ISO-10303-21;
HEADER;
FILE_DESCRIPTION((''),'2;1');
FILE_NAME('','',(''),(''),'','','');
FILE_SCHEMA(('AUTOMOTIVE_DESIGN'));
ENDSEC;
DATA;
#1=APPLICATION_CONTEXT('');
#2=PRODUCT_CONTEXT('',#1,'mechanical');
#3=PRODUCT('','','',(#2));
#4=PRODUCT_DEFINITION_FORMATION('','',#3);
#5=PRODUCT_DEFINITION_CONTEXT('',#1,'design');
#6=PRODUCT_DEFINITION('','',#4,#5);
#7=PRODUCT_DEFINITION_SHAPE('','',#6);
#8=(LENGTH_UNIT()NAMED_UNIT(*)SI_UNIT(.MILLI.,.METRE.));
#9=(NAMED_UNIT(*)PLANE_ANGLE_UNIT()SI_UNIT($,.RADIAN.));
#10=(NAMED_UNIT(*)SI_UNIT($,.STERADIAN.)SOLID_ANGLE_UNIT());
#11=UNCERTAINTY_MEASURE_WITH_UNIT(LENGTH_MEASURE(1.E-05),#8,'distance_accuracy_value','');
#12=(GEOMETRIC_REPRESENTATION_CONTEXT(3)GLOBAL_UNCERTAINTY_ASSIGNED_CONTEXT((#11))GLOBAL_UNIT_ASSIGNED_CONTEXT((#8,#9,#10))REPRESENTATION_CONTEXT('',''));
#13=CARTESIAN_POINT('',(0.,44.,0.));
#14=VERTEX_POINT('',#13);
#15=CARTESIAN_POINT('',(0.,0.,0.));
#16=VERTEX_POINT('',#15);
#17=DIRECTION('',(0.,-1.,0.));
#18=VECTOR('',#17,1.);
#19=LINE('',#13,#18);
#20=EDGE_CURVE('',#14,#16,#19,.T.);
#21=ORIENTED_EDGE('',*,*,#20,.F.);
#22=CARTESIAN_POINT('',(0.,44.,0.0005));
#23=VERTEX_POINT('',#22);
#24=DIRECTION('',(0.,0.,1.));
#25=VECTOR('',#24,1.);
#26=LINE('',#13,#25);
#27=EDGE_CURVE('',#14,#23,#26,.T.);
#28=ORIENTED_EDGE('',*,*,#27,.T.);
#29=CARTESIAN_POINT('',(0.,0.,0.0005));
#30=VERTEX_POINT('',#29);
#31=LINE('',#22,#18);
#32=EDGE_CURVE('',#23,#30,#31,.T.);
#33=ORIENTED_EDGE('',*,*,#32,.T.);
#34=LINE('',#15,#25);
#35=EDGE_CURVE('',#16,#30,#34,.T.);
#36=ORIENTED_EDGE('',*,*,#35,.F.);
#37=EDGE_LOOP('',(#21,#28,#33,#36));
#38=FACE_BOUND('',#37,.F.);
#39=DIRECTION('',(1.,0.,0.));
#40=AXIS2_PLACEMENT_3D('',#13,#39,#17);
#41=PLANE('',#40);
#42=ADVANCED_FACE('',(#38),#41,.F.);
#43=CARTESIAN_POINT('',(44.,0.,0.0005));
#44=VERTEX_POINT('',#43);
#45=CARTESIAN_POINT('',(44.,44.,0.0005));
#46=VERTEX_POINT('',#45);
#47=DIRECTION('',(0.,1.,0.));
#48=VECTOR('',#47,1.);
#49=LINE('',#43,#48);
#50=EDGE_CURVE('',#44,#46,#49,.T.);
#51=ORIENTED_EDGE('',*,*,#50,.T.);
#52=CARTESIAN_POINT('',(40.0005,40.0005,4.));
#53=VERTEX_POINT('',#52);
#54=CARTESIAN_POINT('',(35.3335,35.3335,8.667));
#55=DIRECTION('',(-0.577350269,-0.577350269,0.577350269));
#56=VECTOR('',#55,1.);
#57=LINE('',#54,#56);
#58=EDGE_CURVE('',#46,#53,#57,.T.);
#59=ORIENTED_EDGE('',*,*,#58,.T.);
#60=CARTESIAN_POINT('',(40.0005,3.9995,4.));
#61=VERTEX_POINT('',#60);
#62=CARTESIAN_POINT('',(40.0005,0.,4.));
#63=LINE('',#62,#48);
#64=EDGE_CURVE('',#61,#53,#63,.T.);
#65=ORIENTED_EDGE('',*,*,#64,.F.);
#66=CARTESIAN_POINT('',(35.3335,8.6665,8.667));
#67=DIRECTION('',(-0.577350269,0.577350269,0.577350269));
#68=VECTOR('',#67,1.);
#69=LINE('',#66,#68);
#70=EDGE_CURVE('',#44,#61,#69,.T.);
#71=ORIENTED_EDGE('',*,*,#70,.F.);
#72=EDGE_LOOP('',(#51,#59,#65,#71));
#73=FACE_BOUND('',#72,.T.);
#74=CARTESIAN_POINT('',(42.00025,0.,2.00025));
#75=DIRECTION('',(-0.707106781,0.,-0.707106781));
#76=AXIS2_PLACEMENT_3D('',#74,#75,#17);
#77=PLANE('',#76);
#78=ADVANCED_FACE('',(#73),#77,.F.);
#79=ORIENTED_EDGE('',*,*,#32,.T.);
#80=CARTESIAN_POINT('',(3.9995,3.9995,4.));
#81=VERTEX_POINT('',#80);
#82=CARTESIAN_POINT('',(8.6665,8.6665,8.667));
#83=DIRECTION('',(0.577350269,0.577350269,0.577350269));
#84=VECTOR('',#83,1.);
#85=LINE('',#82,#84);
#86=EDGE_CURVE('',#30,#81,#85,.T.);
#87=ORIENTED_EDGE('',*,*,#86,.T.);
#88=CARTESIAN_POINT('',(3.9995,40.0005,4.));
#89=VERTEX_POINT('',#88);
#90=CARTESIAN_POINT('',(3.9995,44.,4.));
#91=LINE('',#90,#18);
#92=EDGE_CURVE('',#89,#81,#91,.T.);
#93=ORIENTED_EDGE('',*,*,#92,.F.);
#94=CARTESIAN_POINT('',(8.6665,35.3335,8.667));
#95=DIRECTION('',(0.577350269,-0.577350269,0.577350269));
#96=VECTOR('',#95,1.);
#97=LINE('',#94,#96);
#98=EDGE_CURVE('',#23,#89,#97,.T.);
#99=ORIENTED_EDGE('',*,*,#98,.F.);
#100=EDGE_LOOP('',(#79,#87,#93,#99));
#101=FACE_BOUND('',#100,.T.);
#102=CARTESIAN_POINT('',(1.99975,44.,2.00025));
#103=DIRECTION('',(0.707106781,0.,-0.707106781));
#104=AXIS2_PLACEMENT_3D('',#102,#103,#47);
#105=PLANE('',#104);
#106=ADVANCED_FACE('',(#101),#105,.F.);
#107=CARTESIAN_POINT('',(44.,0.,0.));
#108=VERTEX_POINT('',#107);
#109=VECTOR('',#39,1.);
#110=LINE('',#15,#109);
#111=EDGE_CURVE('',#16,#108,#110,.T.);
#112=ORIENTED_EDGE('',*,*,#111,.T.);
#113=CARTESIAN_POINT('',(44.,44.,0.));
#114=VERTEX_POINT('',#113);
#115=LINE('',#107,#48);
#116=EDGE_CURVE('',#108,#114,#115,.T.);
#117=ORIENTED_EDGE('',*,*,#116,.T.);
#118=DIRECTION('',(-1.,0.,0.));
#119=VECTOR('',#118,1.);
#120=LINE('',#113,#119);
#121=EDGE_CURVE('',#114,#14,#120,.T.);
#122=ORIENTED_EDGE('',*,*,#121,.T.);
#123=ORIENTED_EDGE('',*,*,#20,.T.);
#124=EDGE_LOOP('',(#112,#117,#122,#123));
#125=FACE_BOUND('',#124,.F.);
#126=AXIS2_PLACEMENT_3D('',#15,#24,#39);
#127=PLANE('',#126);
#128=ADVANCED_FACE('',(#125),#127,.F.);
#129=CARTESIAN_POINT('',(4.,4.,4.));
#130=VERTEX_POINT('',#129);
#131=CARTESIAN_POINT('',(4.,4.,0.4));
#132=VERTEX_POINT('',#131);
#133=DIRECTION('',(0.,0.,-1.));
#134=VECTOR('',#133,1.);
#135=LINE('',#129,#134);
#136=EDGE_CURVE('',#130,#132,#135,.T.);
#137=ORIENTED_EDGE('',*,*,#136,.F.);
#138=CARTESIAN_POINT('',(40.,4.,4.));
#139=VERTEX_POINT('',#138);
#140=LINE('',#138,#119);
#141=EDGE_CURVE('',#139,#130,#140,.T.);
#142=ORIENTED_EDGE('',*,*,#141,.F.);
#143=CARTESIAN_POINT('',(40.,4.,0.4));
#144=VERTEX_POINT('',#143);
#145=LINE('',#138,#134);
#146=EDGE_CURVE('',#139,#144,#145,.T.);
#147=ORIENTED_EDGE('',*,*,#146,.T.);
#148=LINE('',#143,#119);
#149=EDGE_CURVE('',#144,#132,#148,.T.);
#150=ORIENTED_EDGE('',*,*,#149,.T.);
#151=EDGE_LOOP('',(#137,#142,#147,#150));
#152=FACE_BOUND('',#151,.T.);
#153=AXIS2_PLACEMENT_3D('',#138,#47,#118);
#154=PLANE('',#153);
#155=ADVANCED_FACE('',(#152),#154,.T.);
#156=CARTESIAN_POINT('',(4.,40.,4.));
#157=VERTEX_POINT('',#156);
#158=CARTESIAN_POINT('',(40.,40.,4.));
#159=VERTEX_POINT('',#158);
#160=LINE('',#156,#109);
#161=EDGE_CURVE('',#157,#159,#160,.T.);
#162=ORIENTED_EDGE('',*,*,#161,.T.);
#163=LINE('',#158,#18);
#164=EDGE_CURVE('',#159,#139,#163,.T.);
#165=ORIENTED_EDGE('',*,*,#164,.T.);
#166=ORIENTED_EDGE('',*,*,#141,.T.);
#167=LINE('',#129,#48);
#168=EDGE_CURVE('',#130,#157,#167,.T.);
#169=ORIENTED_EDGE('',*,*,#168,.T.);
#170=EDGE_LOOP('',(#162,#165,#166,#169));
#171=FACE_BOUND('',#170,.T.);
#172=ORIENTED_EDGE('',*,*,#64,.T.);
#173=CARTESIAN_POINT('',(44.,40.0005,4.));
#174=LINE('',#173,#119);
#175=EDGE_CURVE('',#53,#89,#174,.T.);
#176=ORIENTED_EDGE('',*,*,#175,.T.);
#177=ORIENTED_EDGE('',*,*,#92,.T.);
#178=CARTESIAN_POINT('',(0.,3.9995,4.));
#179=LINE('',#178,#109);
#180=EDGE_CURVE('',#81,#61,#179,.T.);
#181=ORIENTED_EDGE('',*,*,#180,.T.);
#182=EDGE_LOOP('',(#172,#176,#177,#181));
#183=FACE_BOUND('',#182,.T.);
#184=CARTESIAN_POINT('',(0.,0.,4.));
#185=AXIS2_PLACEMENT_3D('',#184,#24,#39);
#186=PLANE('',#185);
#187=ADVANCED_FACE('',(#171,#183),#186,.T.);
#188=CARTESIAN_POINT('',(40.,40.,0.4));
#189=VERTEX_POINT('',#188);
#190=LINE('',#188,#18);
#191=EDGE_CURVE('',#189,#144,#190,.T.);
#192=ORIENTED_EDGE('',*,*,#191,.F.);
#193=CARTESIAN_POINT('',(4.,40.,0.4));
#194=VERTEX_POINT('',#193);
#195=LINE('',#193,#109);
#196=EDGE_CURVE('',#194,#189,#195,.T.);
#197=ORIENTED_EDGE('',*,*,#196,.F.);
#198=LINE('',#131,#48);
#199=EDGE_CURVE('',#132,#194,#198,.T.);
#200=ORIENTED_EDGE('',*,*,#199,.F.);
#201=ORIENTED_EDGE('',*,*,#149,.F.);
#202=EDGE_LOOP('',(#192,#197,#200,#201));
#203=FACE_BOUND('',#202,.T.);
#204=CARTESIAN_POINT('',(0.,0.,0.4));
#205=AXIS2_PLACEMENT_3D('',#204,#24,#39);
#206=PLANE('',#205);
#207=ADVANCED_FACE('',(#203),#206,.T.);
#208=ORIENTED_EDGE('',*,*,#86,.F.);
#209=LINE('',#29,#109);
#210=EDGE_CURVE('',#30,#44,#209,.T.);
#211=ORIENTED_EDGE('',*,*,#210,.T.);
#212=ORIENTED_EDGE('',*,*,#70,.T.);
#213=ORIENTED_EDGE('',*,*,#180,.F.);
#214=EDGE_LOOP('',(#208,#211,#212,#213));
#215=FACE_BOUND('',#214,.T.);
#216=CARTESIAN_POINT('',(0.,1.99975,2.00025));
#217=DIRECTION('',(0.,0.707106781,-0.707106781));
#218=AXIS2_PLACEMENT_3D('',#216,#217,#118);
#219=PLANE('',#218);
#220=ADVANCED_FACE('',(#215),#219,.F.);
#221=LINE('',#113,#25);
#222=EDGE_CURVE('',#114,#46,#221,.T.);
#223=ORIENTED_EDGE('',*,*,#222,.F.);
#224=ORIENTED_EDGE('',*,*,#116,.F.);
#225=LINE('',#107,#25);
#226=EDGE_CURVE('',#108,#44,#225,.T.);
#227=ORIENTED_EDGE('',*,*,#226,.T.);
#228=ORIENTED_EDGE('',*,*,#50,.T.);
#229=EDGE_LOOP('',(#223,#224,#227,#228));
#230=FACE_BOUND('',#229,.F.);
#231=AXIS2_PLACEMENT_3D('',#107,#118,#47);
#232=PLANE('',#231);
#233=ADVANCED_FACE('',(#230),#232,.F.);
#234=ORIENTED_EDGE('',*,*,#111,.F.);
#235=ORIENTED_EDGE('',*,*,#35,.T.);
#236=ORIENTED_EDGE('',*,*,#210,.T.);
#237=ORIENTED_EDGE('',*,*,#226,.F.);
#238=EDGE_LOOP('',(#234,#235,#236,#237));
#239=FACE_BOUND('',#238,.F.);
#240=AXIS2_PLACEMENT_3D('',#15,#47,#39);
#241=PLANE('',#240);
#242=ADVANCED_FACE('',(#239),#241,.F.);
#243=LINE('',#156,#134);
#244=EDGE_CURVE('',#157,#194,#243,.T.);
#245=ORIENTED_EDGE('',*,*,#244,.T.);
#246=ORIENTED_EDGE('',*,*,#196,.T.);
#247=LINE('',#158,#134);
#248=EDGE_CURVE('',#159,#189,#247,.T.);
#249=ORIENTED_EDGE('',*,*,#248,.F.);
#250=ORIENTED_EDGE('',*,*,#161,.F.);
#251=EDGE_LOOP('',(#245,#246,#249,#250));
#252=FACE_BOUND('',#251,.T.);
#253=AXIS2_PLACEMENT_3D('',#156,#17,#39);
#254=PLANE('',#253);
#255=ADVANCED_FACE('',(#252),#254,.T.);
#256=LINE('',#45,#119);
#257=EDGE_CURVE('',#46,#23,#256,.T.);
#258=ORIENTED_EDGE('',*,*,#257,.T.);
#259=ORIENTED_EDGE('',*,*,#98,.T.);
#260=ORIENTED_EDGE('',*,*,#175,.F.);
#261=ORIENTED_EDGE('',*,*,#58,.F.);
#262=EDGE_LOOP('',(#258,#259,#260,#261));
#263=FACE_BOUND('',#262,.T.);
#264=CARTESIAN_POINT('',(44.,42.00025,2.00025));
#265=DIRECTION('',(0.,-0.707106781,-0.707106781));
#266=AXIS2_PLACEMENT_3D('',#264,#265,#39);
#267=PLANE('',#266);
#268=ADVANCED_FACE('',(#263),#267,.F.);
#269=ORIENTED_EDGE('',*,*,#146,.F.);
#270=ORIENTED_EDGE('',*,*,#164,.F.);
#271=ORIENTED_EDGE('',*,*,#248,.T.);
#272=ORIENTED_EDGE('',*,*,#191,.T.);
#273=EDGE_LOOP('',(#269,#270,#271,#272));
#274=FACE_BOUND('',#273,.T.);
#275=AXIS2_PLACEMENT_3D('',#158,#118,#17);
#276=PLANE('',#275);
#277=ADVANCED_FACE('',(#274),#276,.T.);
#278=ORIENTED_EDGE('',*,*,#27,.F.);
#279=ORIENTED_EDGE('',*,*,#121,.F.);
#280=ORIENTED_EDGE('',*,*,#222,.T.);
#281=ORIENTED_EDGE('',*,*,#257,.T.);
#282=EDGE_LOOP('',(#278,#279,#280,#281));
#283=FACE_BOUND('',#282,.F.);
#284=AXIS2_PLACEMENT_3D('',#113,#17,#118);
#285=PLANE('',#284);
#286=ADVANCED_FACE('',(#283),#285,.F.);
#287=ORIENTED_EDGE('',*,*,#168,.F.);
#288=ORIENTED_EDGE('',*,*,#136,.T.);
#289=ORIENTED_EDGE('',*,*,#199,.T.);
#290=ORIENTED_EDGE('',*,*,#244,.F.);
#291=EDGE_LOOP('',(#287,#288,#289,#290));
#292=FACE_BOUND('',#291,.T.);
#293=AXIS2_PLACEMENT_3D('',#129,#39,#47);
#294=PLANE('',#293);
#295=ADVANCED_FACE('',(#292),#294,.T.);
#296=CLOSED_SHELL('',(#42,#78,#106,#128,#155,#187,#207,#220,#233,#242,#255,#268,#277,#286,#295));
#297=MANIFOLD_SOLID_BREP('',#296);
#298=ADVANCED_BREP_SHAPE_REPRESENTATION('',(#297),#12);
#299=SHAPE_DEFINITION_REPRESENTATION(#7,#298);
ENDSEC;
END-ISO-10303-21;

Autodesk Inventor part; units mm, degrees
ref_plane "YZ Plane" through (0, 0, 0) normal (1, 0, 0) x (0, 1, 0)
ref_plane "XZ Plane" through (0, 0, 0) normal (0, 1, 0) x (-1, 0, 0)
ref_plane "XY Plane" through (0, 0, 0) normal (0, 0, 1) x (1, 0, 0)
sketch "Sketch1" plane through (0, 0, 0) normal (0, 0, 1) x (1, 0, 0)
  line L0 (0, 0) -> (44, 0)
  line L1 (44, 0) -> (44, 44)
  line L2 (44, 44) -> (0, 44)
  line L3 (0, 44) -> (0, 0)
  dimension "d0" = 44
  dimension "d1" = 44
extrude "Extrusion1" add sketch "Sketch1" along normal blind 4
chamfer "Chamfer1" distance 4 angle 45 4 edges at (22, 44, 4) (44, 22, 4) (22, 0, 4) (0, 22, 4)
sketch "Sketch2" plane through (0, 0, 4) normal (0, 0, 1) x (1, 0, 0)
  line L0 (40, 4) -> (4, 4) projected
  line L1 (40, 40) -> (40, 4) projected
  line L2 (4, 40) -> (40, 40) projected
  line L3 (4, 4) -> (4, 40) projected
  point P0 (0, 0)
extrude "Extrusion2" cut sketch "Sketch2" against normal blind 3.6
properties part number "clear-square-hollow"
